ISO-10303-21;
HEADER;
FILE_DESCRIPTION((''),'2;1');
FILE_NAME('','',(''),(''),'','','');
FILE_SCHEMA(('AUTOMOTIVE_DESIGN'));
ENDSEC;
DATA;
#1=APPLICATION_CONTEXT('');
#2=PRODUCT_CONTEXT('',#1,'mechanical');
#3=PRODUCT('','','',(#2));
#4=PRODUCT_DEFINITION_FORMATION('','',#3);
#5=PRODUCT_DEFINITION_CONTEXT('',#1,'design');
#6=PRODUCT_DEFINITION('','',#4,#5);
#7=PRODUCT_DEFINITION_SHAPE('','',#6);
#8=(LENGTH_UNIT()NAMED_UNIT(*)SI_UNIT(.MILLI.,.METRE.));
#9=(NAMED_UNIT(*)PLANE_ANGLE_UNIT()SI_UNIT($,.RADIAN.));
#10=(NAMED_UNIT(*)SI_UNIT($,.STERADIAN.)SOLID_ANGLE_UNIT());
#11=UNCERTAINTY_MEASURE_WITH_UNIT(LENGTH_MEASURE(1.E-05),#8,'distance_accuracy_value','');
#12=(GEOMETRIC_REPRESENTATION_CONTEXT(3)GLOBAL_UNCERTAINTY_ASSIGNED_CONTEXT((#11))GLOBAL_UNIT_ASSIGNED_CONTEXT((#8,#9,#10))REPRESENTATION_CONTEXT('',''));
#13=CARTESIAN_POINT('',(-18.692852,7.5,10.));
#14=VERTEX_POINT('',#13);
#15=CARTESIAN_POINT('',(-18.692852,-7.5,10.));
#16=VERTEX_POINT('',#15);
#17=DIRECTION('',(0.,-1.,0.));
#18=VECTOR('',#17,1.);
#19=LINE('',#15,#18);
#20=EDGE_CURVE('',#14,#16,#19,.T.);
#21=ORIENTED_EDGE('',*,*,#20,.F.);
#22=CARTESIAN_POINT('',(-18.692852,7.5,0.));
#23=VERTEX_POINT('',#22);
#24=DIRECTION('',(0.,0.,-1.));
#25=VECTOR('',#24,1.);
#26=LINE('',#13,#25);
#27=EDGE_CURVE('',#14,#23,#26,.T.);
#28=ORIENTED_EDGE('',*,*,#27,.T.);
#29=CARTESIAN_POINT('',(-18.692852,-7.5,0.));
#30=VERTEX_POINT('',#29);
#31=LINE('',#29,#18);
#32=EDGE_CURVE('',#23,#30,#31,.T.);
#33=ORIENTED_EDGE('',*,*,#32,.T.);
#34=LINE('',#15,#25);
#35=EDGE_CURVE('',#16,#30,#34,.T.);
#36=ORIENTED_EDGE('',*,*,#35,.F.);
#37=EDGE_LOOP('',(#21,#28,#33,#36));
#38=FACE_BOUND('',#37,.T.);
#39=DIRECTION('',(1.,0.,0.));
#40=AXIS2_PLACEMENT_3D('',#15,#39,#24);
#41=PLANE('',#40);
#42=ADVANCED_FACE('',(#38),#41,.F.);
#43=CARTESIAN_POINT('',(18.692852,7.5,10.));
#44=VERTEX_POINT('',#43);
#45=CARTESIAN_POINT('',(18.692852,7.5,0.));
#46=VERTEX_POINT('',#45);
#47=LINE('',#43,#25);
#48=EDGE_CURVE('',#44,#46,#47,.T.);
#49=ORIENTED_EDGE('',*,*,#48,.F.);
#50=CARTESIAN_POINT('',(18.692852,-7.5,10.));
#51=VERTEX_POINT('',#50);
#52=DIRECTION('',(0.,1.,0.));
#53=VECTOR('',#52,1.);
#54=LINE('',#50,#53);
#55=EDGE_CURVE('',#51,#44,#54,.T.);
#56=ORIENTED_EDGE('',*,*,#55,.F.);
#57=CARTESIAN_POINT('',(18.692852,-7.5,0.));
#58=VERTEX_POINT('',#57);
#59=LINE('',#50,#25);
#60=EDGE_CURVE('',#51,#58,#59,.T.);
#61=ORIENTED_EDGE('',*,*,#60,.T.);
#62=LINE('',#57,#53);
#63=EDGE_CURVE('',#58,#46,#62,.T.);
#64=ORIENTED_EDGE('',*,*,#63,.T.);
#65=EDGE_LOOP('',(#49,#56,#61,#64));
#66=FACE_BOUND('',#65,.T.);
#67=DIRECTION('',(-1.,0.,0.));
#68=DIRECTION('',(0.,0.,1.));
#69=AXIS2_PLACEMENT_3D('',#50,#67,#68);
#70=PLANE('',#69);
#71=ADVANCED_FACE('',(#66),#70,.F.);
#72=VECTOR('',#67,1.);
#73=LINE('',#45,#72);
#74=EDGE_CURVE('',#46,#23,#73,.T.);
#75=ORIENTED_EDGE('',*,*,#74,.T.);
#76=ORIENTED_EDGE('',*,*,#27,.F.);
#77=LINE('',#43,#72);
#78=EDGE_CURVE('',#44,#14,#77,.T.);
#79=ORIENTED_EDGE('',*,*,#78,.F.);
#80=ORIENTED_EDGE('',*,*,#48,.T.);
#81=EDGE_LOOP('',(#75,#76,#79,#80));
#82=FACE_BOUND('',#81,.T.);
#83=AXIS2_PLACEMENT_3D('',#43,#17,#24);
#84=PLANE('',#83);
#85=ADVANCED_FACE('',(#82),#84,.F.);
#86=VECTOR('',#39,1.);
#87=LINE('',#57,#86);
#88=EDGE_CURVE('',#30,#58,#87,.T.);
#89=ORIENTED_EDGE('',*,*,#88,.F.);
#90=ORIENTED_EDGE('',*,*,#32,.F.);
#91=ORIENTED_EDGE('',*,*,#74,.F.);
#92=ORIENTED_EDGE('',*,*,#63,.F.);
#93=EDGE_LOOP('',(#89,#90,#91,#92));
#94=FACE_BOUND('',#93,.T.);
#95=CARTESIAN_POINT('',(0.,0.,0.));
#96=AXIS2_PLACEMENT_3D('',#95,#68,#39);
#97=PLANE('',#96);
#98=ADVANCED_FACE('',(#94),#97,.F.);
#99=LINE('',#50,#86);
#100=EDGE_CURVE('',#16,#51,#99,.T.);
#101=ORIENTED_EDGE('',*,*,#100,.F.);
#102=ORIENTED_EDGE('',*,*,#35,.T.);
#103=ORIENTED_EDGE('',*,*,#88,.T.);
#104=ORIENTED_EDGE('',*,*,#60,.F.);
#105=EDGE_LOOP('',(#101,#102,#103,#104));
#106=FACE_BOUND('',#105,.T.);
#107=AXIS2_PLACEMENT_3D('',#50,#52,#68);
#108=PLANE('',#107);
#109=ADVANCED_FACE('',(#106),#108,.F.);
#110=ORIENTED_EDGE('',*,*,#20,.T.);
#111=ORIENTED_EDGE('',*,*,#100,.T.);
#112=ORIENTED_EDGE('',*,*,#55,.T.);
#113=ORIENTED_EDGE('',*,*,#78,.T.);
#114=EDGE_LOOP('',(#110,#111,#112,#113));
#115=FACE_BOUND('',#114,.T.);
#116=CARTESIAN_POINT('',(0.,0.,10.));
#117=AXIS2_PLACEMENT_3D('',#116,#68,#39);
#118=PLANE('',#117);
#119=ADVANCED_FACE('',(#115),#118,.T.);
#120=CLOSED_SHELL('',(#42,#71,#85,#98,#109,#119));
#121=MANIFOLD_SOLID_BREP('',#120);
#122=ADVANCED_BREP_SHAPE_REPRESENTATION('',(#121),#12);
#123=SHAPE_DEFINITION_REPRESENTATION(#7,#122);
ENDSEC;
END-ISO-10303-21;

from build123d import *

# Parameters (mm, degrees)
SKETCH1_W      = 37.385703918
SKETCH1_H      = 15
EXTRUDE1_DEPTH = 10


with BuildPart() as part:
    # Sketch1 → Extrude1 (new body)
    with BuildSketch(Plane.XY):
        Rectangle(SKETCH1_W, SKETCH1_H)
    extrude(amount=EXTRUDE1_DEPTH)


solid = part.part
